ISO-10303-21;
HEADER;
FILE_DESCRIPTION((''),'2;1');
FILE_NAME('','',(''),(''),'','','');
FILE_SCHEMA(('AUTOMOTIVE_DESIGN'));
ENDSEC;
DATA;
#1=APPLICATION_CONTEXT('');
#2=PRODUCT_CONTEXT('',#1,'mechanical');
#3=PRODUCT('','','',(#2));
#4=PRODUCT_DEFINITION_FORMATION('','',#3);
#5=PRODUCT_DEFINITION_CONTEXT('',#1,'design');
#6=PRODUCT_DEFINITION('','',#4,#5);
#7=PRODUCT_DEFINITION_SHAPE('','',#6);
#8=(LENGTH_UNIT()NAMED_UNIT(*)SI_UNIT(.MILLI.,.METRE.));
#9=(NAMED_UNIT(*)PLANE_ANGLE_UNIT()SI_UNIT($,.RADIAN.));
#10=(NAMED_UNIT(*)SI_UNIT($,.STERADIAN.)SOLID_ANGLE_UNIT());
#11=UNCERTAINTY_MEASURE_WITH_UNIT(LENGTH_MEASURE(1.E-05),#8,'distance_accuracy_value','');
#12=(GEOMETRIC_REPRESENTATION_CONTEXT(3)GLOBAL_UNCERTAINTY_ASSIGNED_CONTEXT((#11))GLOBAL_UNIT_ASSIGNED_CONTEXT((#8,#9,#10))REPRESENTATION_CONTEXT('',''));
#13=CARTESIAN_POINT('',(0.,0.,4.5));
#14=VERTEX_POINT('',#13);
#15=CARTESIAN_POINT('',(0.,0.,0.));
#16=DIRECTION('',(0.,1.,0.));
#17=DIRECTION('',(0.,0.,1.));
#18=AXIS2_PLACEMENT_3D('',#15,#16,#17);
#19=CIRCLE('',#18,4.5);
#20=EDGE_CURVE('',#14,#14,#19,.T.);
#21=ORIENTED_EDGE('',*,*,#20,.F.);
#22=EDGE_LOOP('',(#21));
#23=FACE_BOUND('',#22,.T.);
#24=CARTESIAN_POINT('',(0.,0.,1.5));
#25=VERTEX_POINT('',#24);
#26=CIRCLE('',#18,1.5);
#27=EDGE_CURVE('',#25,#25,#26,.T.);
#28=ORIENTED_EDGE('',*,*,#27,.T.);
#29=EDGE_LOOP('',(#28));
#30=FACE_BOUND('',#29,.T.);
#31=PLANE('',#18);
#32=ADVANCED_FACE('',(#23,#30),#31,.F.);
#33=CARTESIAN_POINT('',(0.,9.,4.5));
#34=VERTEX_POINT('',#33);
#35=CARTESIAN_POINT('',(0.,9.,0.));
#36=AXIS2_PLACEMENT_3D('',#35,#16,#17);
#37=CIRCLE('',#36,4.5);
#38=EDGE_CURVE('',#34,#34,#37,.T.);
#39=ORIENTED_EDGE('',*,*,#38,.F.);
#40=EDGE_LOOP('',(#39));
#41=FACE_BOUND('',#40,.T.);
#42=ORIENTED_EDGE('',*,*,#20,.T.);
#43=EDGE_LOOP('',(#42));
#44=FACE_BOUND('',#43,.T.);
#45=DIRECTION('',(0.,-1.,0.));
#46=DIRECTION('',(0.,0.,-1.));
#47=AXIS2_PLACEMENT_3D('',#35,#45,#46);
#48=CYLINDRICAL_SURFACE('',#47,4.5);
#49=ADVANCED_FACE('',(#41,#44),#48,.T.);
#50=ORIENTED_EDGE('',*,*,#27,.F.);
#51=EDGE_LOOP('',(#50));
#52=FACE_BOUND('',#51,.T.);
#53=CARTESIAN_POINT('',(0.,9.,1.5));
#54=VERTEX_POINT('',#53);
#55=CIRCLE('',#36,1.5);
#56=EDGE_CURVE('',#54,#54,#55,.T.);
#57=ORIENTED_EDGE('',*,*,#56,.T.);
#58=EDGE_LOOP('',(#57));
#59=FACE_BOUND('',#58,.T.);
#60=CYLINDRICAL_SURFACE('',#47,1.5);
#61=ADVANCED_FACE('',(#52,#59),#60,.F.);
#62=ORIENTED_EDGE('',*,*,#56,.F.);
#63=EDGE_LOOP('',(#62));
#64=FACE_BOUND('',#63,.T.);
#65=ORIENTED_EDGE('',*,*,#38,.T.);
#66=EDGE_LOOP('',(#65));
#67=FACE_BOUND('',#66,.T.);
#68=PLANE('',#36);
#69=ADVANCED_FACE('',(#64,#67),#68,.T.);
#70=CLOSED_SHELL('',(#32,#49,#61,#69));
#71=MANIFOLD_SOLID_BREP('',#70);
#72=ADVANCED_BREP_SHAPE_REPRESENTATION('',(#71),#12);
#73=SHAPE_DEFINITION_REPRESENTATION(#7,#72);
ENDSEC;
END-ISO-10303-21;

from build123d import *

# Parameters (mm, degrees)
SKETCH1_R           = 4.5
SKETCH1_R_2         = 1.5
BOSS_EXTRUDE1_DEPTH = 9


with BuildPart() as part:
    # Sketch1 → Boss-Extrude1 (new body)
    with BuildSketch(Plane(origin=(0, 0, 0), x_dir=(1, 0, 0), z_dir=(0, 1, 0))):
        with Locations(Location((0, 0, 0), (0, 0, 270))):
            Circle(SKETCH1_R)
        with Locations(Location((0, 0, 0), (0, 0, 270))):
            Circle(SKETCH1_R_2, mode=Mode.SUBTRACT)
    extrude(amount=BOSS_EXTRUDE1_DEPTH)


solid = part.part
